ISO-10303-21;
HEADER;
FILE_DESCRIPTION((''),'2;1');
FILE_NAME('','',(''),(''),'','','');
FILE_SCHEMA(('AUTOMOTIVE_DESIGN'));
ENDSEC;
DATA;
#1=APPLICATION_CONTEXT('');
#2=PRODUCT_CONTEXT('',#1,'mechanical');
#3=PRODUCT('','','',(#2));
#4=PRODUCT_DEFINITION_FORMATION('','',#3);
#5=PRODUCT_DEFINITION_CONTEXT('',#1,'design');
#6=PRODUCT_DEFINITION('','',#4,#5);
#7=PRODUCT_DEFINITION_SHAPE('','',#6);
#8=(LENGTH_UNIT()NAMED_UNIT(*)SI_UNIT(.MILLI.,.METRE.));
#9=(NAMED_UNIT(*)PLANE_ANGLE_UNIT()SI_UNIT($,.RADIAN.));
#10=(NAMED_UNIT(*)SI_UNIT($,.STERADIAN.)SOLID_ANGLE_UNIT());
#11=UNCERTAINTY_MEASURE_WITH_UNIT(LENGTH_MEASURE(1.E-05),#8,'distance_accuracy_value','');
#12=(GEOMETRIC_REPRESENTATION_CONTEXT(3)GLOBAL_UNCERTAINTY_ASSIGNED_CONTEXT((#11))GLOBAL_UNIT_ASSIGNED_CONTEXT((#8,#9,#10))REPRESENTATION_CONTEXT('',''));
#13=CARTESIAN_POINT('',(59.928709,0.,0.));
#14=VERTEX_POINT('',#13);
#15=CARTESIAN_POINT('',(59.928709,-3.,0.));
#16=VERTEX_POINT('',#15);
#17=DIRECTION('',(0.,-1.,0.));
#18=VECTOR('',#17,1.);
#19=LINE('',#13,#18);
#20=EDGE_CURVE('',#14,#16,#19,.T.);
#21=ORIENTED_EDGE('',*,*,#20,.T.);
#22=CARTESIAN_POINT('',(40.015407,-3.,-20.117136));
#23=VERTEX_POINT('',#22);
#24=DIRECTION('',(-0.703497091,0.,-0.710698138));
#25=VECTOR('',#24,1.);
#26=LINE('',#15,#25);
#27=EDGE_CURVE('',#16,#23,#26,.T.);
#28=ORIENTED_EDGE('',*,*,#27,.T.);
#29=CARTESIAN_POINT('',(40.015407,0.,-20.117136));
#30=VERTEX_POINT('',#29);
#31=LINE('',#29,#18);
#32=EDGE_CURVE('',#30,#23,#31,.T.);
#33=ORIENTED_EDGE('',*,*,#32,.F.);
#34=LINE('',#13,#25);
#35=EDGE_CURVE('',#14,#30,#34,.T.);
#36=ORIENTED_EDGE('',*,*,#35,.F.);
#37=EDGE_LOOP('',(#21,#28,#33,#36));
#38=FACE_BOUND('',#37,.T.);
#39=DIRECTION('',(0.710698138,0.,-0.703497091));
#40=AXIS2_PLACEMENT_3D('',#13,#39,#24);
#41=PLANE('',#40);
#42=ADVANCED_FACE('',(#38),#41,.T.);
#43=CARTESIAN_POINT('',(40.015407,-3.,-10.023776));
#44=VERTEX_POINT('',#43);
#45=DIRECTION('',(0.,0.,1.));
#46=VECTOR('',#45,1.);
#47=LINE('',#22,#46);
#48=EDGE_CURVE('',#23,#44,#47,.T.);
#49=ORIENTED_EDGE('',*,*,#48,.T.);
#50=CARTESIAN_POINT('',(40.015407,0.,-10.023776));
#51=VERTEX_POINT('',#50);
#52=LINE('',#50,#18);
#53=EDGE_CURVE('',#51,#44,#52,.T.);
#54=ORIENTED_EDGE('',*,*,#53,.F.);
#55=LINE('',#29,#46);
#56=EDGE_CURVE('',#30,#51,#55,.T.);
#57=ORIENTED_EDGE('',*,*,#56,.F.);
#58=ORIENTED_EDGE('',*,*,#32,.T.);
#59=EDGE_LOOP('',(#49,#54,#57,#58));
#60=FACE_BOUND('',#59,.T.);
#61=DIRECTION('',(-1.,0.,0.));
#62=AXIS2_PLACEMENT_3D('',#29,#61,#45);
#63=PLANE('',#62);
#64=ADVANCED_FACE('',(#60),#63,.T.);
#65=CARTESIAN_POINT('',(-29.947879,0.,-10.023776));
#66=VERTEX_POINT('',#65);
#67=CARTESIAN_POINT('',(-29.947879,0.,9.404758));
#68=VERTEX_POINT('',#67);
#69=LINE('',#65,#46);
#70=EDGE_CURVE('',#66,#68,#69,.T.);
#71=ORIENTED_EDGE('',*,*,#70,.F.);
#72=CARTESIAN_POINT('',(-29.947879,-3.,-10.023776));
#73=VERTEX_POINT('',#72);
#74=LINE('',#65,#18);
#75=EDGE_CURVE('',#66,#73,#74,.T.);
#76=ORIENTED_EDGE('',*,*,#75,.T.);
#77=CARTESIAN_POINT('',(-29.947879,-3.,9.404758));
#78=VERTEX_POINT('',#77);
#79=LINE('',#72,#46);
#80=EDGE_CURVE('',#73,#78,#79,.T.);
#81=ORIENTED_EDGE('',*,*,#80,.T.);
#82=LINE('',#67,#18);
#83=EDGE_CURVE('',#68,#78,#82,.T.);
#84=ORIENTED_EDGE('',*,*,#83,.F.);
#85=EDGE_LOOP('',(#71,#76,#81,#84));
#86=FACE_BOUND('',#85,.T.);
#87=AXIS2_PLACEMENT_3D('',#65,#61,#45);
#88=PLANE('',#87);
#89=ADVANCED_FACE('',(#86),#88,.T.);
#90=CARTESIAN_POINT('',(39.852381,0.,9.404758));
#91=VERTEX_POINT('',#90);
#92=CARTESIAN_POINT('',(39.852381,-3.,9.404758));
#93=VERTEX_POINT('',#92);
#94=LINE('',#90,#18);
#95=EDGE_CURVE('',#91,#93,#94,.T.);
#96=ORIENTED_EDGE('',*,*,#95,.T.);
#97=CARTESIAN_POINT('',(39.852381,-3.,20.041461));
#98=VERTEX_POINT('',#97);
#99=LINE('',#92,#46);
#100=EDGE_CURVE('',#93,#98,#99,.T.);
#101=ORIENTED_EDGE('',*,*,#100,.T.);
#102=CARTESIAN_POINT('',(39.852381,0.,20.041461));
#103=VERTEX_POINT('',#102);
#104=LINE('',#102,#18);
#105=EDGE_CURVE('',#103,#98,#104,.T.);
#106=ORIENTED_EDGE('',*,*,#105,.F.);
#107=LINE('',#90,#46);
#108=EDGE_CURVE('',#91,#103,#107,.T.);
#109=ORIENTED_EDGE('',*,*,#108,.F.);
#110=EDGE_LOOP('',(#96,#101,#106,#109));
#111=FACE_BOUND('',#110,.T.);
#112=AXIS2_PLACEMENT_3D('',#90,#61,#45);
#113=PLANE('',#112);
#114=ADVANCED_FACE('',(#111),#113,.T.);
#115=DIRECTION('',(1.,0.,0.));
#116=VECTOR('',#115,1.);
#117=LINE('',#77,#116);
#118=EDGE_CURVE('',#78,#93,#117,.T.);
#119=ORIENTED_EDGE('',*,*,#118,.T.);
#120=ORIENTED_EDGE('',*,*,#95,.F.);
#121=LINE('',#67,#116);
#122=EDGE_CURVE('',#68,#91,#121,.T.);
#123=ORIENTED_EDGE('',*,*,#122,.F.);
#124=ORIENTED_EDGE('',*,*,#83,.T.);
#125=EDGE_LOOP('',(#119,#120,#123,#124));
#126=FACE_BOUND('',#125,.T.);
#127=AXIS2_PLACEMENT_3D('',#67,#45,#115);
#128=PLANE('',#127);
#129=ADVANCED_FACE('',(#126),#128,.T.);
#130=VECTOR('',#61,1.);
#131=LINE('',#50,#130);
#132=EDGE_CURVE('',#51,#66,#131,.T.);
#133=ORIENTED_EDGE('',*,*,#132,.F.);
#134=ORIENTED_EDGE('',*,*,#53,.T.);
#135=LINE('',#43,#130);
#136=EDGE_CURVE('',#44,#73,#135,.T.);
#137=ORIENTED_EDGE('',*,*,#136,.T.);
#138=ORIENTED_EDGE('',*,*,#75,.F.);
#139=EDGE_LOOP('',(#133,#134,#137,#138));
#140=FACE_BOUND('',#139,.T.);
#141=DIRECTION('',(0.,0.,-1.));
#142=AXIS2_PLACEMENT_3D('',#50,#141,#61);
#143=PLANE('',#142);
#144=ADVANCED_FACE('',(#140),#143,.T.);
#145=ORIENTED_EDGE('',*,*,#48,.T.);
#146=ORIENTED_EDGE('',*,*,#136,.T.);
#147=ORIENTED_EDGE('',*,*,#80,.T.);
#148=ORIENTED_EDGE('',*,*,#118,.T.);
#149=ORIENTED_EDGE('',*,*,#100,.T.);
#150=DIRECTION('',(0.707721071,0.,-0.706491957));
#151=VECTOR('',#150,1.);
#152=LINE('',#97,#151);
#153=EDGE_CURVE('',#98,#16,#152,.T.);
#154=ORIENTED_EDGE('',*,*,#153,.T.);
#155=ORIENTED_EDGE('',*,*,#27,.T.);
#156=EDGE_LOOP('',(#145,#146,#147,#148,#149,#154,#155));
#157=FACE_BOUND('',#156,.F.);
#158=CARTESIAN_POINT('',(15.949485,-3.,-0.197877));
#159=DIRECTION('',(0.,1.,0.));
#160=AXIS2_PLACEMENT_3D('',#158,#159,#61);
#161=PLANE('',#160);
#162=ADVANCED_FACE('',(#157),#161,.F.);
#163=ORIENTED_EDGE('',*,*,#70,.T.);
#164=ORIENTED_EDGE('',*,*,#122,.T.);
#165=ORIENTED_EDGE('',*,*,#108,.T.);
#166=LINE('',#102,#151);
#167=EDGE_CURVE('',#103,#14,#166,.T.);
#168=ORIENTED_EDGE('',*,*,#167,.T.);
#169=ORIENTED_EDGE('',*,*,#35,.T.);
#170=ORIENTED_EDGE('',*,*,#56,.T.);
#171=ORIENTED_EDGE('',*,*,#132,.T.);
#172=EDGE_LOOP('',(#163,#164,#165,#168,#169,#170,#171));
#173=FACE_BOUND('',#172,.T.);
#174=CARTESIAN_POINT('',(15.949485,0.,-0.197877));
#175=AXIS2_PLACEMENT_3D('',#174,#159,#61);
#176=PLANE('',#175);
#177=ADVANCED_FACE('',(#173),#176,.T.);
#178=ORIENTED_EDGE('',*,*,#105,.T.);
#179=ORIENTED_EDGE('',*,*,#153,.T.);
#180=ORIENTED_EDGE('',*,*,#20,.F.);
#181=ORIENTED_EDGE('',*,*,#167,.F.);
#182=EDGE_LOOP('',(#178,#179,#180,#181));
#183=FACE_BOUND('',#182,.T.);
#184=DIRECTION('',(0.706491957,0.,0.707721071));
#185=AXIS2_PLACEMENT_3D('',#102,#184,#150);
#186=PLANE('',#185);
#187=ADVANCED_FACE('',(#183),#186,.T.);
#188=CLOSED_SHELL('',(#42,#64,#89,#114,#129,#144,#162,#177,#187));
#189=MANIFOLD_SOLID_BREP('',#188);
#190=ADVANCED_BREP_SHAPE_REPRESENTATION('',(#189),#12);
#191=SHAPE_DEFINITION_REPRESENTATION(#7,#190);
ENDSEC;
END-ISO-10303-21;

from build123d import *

# Parameters (mm, degrees)
PAD_DEPTH = 3


with BuildPart() as part:
    # Sketch → Pad (new body)
    with BuildSketch(Plane.XZ):
        Polygon((-29.947879, 9.404758), (39.852381, 9.404758), (39.852381, 20.041461), (59.928709, 0), (40.015407, -20.117136), (40.015407, -10.023776), (-29.947879, -10.023776), align=None)
    extrude(amount=PAD_DEPTH)


solid = part.part
